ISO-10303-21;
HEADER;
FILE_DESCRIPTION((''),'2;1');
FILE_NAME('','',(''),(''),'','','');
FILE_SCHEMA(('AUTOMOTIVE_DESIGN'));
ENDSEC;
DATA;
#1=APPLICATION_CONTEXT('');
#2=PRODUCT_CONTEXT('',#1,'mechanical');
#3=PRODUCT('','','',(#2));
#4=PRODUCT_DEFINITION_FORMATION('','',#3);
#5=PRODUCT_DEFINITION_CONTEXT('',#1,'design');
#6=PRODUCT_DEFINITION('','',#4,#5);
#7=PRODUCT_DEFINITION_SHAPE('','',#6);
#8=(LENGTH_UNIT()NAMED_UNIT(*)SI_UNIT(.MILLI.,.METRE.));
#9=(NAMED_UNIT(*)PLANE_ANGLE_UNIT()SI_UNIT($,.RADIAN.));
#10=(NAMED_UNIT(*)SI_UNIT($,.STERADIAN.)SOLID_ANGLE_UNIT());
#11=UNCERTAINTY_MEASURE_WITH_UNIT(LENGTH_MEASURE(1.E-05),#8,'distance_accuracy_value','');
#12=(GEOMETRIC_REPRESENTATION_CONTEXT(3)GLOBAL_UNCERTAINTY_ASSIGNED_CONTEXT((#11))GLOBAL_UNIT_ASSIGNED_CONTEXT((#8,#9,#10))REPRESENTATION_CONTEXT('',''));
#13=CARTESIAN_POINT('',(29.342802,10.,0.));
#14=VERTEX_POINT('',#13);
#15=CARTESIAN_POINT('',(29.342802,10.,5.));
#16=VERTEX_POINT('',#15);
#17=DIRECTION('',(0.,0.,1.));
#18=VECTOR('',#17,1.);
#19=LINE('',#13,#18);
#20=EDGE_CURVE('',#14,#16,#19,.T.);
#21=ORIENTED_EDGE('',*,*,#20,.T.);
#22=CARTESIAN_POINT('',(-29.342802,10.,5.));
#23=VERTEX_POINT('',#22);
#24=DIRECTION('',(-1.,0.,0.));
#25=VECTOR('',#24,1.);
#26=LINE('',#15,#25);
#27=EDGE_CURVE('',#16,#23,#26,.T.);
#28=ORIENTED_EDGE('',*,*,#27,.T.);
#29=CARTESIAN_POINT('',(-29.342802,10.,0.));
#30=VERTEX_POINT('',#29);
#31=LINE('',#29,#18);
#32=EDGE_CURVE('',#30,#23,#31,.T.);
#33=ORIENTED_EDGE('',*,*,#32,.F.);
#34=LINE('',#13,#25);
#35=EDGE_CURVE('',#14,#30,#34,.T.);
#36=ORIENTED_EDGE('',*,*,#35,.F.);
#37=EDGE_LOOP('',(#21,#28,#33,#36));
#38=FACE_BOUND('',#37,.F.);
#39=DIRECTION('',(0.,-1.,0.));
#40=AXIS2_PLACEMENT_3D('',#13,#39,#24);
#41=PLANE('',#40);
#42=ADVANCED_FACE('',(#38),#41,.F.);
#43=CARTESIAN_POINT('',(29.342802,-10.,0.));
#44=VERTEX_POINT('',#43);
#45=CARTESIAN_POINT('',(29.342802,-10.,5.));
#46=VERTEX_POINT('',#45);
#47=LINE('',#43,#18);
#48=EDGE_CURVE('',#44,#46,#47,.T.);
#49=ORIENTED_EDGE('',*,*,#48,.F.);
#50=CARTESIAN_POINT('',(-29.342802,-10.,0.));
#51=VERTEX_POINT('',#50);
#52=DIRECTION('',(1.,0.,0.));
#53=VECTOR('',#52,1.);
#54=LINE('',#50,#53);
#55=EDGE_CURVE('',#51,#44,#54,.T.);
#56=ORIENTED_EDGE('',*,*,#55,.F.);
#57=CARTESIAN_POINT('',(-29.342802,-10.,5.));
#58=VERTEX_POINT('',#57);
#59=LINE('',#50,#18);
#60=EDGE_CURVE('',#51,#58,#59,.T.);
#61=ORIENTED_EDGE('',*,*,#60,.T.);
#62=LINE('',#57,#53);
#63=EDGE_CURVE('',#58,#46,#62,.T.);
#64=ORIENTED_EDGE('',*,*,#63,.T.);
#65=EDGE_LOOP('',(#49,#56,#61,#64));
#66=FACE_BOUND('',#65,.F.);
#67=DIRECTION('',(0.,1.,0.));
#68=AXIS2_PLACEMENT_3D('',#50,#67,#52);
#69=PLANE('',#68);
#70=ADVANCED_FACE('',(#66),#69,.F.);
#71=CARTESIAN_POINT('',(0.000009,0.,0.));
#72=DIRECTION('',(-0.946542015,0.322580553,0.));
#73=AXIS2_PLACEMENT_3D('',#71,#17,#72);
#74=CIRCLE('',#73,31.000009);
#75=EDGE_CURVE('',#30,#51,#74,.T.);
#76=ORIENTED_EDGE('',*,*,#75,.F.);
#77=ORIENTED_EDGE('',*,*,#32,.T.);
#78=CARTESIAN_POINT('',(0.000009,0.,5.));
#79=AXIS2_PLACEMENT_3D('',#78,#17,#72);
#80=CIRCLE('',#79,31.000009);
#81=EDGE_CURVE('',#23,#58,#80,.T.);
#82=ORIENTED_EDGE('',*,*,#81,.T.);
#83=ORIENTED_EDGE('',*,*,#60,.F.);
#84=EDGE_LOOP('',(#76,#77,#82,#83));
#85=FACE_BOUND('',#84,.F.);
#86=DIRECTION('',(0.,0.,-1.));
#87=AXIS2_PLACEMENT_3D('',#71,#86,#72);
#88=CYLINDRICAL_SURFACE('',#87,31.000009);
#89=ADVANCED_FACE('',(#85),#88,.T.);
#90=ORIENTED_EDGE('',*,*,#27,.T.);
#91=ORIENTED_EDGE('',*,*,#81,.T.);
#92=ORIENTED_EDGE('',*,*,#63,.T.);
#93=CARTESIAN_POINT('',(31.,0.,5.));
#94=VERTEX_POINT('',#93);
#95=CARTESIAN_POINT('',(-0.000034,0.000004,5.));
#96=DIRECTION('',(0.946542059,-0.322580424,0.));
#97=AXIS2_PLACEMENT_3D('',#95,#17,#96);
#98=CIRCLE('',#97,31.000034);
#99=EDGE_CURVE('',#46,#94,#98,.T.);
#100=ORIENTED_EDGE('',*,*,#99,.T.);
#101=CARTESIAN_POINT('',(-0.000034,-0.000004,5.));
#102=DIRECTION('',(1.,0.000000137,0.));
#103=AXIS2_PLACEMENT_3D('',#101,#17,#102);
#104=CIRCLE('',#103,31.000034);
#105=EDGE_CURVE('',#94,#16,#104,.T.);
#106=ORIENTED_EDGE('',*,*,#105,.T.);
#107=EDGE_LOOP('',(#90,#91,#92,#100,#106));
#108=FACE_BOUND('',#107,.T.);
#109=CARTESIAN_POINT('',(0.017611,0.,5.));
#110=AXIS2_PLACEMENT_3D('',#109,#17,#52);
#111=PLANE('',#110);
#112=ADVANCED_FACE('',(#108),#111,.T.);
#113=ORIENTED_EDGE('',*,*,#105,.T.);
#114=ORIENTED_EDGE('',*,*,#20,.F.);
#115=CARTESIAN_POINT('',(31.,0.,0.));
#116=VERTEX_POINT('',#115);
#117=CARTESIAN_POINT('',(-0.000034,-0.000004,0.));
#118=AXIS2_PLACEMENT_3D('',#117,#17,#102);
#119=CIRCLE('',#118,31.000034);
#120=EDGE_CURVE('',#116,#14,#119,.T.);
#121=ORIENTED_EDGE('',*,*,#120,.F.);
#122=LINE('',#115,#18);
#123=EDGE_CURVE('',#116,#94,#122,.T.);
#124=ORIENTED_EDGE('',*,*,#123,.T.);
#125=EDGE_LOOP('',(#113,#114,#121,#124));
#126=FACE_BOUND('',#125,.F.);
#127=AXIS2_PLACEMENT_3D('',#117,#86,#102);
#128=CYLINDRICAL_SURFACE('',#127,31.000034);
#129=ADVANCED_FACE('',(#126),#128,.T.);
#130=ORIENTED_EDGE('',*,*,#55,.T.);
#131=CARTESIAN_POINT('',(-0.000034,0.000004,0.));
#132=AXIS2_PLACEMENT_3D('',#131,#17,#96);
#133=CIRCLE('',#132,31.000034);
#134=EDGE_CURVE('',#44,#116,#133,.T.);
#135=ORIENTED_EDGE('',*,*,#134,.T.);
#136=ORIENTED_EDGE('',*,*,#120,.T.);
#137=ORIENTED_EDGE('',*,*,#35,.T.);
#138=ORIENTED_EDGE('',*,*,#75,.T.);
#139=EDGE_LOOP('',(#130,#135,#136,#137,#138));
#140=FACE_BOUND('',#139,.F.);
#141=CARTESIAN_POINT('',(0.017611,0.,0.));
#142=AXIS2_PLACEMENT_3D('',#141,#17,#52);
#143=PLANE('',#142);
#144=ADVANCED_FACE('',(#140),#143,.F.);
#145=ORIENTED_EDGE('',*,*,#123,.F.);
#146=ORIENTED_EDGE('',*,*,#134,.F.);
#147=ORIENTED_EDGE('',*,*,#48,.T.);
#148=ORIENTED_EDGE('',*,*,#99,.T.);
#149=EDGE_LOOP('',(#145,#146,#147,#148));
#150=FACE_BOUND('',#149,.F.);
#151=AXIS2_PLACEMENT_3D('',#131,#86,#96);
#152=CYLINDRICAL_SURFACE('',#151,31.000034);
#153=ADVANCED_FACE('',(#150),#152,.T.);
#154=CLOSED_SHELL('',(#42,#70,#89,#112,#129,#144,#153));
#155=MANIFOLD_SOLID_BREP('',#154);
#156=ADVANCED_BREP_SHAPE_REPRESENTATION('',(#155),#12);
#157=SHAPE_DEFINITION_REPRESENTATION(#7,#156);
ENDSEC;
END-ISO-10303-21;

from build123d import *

# Parameters (mm, degrees)
F1_DEPTH = 5


with BuildPart() as f1:
    # F0 (on Top) → F1 (new body)
    with BuildSketch(Plane.XY):
        with BuildLine():
            ThreePointArc((29.342802, -10), (30.582894, -5.068193), (31, 0))
            ThreePointArc((31, 0), (30.582894, 5.068193), (29.342802, 10))
            Line((29.342802, 10), (-29.342802, 10))
            ThreePointArc((-29.342802, 10), (-31, 0), (-29.342802, -10))
            Line((-29.342802, -10), (29.342802, -10))
        make_face()
    extrude(amount=F1_DEPTH)


solid = f1.part
